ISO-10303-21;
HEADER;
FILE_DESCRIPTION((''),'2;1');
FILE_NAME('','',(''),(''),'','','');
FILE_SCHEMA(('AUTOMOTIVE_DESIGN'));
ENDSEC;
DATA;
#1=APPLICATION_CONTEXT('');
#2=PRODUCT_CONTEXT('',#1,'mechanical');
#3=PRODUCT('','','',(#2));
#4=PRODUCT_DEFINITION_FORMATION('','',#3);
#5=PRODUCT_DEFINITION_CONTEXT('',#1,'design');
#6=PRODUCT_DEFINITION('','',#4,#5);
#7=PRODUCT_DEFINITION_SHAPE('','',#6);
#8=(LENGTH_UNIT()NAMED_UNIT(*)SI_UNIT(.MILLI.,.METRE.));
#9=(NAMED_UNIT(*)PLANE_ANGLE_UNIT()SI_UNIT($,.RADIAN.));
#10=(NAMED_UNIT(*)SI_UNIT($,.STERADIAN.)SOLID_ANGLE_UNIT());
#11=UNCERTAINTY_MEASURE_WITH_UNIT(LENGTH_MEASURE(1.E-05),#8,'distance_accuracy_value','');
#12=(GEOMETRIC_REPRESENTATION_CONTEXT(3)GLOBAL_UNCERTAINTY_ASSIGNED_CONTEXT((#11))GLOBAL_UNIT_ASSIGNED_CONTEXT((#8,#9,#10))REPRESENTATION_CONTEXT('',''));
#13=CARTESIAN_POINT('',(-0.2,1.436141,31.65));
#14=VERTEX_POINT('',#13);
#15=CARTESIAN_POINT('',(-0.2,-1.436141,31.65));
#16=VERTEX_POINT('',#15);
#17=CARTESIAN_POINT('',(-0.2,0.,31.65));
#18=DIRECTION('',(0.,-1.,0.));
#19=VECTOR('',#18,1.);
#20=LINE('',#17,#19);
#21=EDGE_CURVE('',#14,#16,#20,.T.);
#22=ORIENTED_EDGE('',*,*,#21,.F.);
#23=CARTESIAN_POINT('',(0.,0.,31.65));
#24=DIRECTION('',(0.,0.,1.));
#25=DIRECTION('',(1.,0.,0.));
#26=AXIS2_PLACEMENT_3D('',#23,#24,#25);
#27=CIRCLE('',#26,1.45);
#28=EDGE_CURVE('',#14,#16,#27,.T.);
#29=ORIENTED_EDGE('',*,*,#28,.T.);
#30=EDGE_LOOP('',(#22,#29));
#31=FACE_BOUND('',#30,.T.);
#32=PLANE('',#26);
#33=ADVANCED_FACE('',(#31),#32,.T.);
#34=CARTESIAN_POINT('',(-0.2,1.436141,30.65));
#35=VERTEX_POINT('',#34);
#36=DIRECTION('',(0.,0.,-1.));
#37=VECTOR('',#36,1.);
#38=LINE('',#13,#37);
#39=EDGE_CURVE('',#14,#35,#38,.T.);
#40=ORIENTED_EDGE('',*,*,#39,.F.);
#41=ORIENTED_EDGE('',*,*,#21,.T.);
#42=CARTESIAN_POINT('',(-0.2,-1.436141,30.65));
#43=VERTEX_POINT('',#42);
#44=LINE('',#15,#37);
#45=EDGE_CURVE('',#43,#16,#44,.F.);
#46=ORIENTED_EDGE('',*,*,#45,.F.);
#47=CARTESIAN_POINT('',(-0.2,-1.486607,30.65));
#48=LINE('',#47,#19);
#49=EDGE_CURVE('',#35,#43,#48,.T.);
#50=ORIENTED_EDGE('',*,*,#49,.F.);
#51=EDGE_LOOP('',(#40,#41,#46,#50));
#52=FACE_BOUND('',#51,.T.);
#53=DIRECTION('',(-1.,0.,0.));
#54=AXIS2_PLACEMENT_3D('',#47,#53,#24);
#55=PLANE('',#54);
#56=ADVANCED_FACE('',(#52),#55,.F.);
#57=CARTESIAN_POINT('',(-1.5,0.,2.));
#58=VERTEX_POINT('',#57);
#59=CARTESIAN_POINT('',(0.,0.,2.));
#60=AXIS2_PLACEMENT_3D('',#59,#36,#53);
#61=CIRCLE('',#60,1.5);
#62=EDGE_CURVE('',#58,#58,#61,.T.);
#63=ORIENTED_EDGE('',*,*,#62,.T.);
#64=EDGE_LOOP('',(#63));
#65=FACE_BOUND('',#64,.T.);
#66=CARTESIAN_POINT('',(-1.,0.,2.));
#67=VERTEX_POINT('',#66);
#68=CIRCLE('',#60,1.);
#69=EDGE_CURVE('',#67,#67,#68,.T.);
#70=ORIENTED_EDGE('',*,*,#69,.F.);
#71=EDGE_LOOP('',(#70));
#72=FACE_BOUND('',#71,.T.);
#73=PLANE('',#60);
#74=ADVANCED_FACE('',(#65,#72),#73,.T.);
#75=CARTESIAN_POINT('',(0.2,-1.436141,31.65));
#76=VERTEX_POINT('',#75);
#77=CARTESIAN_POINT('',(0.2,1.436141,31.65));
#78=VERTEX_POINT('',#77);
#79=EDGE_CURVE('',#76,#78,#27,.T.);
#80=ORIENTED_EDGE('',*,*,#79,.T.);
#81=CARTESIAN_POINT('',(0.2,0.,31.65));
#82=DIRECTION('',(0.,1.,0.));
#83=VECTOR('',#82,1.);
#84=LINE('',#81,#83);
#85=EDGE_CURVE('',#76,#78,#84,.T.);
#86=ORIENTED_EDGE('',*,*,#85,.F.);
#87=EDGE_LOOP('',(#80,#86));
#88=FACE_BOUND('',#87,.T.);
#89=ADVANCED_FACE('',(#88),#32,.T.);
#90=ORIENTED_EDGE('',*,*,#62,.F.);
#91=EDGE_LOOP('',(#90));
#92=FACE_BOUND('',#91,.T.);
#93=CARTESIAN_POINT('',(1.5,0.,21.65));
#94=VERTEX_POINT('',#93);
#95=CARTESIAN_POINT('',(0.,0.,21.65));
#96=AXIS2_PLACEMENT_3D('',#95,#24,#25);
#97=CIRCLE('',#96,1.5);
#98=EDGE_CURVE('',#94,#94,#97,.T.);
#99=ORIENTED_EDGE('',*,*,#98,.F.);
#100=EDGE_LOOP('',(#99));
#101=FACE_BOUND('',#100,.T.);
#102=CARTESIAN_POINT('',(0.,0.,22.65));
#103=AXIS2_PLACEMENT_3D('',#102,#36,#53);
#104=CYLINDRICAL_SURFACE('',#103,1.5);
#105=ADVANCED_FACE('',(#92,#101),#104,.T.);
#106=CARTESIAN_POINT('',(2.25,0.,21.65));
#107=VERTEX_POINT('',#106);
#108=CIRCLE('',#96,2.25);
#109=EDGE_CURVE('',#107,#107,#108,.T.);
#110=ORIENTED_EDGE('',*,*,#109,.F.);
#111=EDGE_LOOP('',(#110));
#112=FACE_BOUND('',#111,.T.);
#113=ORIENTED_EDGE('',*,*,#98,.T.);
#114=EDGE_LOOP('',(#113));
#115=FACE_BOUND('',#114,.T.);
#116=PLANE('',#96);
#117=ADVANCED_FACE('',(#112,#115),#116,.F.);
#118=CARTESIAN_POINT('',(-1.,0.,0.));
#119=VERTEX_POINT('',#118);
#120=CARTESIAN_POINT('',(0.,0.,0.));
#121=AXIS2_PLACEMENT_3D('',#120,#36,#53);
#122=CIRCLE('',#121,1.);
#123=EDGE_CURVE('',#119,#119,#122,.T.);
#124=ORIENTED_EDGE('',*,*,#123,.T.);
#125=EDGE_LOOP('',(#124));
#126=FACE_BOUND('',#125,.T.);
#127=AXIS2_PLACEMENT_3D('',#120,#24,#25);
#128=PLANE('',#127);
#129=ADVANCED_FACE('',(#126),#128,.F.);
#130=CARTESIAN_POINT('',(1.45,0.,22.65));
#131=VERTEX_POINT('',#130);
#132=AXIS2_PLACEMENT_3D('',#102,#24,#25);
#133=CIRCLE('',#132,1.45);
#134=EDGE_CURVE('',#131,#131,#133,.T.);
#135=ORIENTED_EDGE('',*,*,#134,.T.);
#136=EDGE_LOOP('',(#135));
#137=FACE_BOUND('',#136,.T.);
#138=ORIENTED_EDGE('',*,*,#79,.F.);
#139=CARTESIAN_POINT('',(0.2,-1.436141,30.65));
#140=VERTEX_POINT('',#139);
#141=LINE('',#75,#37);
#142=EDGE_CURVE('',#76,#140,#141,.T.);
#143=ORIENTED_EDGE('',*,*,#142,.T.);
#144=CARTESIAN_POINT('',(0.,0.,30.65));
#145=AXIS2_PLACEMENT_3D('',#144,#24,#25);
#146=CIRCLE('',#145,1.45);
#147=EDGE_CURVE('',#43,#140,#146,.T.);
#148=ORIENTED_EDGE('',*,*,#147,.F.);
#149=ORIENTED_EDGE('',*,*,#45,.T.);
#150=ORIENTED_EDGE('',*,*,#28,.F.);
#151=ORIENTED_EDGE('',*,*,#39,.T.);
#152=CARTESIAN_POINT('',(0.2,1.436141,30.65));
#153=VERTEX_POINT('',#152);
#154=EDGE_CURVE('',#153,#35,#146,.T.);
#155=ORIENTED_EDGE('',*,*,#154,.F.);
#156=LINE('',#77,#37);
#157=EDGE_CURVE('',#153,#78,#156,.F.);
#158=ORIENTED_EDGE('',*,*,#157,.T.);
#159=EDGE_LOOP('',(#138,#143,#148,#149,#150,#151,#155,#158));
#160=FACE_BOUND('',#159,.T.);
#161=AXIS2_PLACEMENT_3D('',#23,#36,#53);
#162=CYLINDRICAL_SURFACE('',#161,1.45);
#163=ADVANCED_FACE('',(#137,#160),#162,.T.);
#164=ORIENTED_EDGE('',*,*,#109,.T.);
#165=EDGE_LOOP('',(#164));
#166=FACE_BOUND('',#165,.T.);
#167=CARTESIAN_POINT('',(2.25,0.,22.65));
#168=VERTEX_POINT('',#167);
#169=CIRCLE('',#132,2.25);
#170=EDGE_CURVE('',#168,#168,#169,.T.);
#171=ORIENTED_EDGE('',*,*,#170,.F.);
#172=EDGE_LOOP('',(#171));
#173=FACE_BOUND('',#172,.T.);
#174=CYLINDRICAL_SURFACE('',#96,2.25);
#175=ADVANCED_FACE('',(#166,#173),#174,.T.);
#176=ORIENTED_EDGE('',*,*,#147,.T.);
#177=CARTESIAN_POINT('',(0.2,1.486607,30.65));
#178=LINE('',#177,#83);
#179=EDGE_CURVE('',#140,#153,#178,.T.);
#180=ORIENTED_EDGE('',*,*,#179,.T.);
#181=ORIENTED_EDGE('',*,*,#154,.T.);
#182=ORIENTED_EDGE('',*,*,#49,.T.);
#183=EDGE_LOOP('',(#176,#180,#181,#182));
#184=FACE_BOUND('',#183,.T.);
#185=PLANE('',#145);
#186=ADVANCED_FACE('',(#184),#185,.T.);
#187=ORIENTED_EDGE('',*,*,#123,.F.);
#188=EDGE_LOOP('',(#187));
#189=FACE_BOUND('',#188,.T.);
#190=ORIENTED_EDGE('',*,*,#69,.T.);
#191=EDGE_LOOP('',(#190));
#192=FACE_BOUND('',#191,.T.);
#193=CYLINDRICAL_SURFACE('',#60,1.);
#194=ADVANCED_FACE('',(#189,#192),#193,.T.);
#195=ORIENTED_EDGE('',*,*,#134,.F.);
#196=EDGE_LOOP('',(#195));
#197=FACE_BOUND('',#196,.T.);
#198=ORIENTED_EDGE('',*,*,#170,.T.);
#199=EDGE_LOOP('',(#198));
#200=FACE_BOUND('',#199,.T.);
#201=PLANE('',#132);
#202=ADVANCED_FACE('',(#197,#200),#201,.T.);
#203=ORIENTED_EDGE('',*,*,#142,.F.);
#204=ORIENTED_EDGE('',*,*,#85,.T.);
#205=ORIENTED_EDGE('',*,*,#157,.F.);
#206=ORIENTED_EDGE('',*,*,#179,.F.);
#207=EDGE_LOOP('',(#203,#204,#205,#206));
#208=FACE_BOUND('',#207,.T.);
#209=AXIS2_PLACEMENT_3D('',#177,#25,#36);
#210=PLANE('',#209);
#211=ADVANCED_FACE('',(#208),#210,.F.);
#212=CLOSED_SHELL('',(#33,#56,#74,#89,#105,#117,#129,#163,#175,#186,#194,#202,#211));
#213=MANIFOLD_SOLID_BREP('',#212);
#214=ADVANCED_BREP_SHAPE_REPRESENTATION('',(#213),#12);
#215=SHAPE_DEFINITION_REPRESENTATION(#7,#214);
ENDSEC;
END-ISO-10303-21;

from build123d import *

# Parameters (mm, degrees)
SKETCH_1_R          = 1.5
EXTRUDE_1_DEPTH     = 22.65
SKETCH_2_R          = 1.45
EXTRUDE_2_DEPTH     = 9
CUT_EXTRUDE_1_DEPTH = 1
SKETCH_4_R          = 1.5
SKETCH_4_R_2        = 1
CUT_EXTRUDE_2_DEPTH = 2
SKETCH_5_R          = 2.25
EXTRUDE_3_DEPTH     = 1


with BuildPart() as part:
    # 草图1 → 凸台-拉伸1 (new body)
    with BuildSketch(Plane.XY):
        Circle(SKETCH_1_R)
    extrude(amount=EXTRUDE_1_DEPTH)

    # 草图2 → 凸台-拉伸2 (add)
    with BuildSketch(Plane.XY.offset(22.65)):
        Circle(SKETCH_2_R)
    extrude(amount=EXTRUDE_2_DEPTH)

    # 草图3 → 切除-拉伸1 (cut)
    with BuildSketch(Plane.XY.offset(31.65)):
        with BuildLine():
            Line((-0.2, -1.486606875), (-0.2, 1.486606875))
            ThreePointArc((-0.2, 1.486606875), (0, 1.5), (0.2, 1.486606875))
            Line((0.2, 1.486606875), (0.2, -1.486606875))
            ThreePointArc((0.2, -1.486606875), (0, -1.5), (-0.2, -1.486606875))
        make_face()
    extrude(amount=-CUT_EXTRUDE_1_DEPTH, mode=Mode.SUBTRACT)

    # 草图4 → 切除-拉伸2 (cut)
    with BuildSketch(Plane(origin=(0, 0, 0), x_dir=(-1, 0, 0), z_dir=(0, 0, -1))):
        Circle(SKETCH_4_R)
        Circle(SKETCH_4_R_2, mode=Mode.SUBTRACT)
    extrude(amount=-CUT_EXTRUDE_2_DEPTH, mode=Mode.SUBTRACT)

    # 草图5 → 凸台-拉伸3 (add)
    with BuildSketch(Plane.XY.offset(22.65)):
        Circle(SKETCH_5_R)
    extrude(amount=-EXTRUDE_3_DEPTH)


solid = part.part
